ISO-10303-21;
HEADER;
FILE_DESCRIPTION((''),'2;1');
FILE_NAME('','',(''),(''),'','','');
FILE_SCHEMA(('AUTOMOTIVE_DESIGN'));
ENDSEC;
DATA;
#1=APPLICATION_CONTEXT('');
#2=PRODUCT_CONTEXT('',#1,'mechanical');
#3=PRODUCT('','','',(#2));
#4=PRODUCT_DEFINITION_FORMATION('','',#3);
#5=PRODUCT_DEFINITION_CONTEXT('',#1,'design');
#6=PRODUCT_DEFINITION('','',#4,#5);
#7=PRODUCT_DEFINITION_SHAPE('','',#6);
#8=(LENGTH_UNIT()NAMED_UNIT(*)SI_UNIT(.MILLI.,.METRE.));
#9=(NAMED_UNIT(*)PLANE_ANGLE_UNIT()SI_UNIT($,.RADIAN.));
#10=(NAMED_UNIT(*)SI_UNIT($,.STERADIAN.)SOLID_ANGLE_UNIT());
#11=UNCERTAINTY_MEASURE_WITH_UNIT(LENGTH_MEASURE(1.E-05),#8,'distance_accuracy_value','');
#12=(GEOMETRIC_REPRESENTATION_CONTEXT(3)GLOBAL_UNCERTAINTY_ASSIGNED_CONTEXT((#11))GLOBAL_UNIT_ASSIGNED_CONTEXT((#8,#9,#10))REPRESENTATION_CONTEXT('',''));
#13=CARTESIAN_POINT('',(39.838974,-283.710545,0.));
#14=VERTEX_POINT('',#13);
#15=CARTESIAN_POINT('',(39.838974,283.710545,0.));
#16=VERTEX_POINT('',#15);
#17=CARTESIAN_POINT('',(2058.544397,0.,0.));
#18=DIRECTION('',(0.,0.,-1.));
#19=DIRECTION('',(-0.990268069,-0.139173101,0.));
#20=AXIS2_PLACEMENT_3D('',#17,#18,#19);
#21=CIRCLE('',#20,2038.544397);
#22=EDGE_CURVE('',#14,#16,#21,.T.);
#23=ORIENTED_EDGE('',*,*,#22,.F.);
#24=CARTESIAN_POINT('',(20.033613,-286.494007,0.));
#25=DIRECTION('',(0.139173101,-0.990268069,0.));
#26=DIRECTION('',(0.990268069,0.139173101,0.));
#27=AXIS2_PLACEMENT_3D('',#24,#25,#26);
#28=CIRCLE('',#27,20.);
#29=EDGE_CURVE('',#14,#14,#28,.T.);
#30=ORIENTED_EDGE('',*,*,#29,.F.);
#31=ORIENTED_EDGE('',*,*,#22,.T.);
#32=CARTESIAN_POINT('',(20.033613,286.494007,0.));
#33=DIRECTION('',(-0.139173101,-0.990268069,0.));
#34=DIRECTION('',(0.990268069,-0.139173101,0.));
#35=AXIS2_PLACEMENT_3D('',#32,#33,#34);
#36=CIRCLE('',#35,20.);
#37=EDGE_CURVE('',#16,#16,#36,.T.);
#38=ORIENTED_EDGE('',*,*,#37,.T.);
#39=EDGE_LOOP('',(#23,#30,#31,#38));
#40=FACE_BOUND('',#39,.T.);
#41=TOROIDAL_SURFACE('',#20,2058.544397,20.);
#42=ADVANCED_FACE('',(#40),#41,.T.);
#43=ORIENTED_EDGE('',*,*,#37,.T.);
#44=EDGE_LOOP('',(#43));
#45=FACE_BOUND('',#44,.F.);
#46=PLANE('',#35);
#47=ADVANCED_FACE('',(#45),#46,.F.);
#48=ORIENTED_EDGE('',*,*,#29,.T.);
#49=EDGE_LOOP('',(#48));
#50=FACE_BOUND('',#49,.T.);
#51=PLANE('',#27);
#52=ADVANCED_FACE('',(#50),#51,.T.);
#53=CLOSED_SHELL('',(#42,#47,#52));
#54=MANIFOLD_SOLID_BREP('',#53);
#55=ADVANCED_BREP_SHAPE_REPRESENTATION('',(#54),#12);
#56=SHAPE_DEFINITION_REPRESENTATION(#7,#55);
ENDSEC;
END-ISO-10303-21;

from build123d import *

# Parameters (mm, degrees)
F0_R          = 20
F2_ANGLE_BACK = 8
F2_ANGLE      = 16


with BuildPart() as f2:
    # F0 (on Front) → F2 (revolve)
    with BuildSketch(Plane.XZ, mode=Mode.PRIVATE) as f2_sk:
        Circle(F0_R)
    revolve(f2_sk.sketch.rotate(Axis((2058.5443973541, 0, -155.6328684092), (0, 0, -1)), -F2_ANGLE_BACK), axis=Axis((2058.5443973541, 0, -155.6328684092), (0, 0, -1)), revolution_arc=F2_ANGLE)


solid = f2.part
